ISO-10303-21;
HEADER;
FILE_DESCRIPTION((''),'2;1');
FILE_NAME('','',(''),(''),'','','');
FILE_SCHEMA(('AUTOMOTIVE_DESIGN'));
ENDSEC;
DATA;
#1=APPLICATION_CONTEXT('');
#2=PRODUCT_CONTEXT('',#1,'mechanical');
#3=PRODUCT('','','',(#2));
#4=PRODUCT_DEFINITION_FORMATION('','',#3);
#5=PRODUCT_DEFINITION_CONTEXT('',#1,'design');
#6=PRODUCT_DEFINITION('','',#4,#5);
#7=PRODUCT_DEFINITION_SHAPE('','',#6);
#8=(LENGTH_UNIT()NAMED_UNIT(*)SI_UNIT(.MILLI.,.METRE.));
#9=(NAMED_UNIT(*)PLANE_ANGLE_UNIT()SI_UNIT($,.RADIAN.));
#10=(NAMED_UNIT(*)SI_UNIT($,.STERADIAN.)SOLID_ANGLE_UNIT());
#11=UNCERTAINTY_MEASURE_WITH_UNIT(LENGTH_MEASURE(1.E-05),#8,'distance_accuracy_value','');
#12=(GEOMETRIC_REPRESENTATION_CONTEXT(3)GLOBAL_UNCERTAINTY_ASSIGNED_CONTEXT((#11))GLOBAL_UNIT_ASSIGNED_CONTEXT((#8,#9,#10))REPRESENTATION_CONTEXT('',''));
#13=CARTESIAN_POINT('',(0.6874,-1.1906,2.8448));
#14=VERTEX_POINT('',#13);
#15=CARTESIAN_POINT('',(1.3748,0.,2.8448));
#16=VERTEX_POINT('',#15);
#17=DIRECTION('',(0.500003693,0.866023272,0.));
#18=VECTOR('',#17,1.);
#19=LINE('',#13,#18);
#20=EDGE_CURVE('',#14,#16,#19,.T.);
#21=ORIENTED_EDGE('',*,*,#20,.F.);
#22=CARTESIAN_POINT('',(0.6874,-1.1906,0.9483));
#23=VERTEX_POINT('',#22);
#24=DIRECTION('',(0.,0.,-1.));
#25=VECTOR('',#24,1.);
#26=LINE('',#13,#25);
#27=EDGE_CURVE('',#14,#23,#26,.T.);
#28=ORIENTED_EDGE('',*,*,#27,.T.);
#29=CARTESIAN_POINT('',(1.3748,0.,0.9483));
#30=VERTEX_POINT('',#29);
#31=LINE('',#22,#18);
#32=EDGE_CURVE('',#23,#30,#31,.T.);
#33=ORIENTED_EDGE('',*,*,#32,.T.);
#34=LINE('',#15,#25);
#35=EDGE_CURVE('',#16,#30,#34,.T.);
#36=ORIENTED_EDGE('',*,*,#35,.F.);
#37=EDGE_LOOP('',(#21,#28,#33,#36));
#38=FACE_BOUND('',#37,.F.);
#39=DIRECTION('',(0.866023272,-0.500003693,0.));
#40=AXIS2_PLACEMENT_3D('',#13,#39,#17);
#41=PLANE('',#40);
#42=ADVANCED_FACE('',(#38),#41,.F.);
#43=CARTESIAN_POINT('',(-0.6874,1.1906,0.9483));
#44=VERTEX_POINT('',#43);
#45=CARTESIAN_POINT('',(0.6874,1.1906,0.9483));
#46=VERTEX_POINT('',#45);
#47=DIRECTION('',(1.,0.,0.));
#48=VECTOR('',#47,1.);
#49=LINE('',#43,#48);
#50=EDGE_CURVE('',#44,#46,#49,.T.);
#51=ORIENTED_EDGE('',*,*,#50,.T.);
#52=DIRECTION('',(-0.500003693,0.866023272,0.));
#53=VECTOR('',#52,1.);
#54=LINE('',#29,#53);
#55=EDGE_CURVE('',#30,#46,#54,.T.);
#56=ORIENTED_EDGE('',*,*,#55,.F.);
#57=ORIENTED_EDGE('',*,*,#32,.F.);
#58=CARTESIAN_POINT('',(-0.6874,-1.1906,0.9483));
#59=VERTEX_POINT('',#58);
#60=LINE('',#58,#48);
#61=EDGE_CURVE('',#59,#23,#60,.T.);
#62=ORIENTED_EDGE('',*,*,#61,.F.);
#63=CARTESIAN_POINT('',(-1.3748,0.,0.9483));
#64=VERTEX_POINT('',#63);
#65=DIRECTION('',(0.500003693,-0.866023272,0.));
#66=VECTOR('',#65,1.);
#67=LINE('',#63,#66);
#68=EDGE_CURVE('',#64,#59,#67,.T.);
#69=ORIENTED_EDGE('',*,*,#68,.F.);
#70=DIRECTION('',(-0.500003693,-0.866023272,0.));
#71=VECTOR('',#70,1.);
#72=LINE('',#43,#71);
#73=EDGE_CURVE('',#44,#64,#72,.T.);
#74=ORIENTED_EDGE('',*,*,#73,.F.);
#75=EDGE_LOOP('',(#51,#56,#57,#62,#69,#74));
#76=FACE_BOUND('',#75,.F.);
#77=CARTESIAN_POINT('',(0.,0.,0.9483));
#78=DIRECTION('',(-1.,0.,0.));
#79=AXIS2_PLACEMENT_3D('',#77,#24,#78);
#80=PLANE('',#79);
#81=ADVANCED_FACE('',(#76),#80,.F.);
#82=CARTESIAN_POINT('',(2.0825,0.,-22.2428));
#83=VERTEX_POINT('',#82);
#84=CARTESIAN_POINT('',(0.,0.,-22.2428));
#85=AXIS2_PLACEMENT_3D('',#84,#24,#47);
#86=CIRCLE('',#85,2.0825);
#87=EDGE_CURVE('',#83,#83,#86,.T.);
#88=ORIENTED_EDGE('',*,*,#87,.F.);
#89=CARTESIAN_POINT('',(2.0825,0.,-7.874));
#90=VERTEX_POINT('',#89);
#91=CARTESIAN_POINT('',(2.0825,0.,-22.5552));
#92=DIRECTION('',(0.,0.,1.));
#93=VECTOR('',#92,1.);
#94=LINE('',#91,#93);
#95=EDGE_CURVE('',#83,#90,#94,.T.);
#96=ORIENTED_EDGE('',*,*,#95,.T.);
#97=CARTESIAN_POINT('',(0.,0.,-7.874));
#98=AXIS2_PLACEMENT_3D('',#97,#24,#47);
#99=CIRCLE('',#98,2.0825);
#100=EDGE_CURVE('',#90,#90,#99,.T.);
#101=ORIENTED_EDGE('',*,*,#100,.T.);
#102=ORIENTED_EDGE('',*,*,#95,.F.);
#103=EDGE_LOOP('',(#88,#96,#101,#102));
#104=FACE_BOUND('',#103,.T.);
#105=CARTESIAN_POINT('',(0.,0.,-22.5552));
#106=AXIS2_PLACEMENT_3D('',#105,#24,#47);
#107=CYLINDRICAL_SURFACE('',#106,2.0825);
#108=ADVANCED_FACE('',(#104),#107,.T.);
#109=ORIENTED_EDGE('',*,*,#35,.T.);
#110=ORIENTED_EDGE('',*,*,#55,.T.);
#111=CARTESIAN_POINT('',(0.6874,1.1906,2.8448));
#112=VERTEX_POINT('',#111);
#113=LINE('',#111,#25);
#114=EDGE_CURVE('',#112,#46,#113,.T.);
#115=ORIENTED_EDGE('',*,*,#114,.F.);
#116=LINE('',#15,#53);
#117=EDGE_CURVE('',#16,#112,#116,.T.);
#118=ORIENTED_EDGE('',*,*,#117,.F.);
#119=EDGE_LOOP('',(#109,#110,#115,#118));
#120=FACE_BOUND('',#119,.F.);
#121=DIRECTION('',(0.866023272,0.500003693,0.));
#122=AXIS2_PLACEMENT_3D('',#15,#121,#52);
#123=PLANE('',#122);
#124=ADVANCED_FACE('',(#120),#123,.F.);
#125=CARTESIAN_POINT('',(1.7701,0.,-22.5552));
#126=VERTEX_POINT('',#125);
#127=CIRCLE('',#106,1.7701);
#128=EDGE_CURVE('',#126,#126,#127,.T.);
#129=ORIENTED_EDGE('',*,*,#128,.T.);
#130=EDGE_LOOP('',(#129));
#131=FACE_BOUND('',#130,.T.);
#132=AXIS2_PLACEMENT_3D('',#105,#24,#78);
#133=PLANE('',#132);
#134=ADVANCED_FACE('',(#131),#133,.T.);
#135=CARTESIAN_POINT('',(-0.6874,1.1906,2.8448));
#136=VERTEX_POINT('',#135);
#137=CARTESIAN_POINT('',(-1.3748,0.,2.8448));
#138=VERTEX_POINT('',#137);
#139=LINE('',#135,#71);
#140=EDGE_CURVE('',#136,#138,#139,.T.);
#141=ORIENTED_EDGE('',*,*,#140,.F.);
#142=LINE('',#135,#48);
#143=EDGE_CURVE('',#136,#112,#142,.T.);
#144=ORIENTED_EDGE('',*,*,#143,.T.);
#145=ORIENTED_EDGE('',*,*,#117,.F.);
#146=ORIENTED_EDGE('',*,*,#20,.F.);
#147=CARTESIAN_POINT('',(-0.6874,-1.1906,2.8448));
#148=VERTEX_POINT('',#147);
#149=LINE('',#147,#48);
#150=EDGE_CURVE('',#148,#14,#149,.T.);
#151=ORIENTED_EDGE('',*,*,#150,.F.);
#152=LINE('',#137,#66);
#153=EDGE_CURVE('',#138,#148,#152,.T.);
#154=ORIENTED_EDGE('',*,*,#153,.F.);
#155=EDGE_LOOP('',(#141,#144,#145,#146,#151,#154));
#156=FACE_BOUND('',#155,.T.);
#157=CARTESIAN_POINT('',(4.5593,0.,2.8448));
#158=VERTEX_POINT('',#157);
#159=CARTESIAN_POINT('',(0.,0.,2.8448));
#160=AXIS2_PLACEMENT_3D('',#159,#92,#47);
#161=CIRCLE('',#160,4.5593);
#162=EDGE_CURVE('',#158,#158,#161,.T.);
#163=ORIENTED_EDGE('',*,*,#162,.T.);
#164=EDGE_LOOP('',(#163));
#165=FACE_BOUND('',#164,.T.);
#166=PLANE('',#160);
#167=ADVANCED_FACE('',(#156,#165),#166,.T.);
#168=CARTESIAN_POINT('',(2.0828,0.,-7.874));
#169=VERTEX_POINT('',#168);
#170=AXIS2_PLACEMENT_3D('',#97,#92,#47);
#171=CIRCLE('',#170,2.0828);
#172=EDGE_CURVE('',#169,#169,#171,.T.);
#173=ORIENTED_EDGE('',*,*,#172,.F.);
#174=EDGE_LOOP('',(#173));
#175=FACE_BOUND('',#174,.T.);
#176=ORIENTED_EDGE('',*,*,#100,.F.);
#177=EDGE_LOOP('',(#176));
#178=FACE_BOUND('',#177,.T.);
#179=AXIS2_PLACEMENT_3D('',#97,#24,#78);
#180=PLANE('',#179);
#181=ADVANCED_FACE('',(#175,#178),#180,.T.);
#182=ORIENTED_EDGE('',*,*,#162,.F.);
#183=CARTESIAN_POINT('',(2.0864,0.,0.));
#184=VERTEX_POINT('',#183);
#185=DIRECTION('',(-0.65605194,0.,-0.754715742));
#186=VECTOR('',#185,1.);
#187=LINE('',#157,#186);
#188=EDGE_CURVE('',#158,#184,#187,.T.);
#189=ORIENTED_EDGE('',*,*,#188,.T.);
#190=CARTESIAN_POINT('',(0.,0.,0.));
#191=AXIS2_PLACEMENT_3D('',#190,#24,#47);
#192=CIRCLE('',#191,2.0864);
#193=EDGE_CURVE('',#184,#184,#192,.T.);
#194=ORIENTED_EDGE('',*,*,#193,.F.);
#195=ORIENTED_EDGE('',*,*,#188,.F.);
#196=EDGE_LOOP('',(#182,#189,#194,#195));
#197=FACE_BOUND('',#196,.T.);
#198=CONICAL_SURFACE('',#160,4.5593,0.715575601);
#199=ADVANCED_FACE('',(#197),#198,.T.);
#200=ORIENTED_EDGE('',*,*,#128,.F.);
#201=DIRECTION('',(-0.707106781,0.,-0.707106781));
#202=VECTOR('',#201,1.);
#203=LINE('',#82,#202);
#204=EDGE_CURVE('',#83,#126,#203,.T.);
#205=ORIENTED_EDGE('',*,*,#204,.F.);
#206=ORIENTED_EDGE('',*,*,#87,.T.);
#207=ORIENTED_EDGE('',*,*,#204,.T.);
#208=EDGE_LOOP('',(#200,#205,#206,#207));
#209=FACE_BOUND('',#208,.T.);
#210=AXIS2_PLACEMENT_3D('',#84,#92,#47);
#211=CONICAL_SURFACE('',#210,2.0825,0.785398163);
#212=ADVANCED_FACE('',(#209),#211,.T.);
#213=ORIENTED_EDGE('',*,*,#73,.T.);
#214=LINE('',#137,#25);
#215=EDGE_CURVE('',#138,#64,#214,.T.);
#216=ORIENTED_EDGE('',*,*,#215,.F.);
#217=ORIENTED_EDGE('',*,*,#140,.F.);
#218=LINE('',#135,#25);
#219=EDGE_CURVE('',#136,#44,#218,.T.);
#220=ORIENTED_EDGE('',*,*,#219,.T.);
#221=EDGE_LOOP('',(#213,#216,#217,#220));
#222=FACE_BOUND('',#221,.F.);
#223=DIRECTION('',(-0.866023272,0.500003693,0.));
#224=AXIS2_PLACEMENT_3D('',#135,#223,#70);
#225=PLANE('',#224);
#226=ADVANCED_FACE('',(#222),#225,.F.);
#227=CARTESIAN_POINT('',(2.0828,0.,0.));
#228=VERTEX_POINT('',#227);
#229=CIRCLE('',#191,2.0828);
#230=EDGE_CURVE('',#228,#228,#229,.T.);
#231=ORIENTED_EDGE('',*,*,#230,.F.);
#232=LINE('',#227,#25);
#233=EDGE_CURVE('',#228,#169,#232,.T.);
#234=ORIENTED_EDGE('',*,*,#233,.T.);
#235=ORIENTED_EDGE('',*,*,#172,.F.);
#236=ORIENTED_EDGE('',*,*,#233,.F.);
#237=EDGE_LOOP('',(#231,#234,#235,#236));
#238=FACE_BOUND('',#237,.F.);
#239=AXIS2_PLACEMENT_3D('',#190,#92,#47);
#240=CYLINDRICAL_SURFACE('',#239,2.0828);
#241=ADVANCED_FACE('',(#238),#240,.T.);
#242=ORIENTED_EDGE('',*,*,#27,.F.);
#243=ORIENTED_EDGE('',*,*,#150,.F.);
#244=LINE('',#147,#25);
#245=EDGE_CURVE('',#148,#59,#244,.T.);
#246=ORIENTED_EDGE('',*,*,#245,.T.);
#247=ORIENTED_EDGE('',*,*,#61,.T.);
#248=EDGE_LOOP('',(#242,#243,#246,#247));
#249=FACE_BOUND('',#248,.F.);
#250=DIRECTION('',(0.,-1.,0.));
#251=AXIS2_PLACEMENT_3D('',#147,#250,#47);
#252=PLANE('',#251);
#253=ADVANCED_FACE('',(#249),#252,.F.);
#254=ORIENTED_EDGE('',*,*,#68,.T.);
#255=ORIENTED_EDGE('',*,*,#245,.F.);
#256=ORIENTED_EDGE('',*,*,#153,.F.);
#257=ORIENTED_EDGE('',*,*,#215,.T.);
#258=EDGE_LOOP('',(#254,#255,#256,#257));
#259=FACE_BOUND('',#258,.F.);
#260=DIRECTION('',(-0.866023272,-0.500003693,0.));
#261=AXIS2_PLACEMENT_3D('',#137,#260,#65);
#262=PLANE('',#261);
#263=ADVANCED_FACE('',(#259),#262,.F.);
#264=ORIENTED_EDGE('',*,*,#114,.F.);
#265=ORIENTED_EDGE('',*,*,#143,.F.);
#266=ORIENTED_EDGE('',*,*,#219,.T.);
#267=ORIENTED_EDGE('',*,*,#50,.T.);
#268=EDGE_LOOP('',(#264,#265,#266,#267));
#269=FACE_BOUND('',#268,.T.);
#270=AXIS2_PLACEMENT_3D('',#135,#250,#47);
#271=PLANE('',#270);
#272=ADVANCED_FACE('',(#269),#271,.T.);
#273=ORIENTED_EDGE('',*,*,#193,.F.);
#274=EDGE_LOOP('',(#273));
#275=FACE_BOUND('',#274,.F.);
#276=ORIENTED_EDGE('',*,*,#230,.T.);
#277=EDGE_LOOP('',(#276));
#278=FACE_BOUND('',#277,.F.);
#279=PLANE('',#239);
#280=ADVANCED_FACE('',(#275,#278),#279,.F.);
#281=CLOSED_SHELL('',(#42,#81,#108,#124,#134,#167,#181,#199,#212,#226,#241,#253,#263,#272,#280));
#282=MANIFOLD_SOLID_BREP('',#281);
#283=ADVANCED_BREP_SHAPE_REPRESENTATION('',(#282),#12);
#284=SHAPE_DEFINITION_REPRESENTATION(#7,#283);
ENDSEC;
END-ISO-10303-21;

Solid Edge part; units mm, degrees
sketch "Sketch1" plane through (0, 0, 0) normal (0, 0, 1) x (1, 0, 0)
  circle A0 centre (0, 0) radius 4.5593
  dimension "D1" = 9.1186
extrude "Protrusion1" add sketch "Sketch1" along normal blind 2.8448
sketch "Sketch2" plane through (0, 0, 0) normal (0, 0, -1) x (1, 0, 0)
  circle A0 centre (0, 0) radius 2.0828
extrude "Protrusion2" add sketch "Sketch2" along normal blind 22.5552
sketch "Sketch3" plane through (0, 0, -22.5552) normal (0, 0, -1) x (1, 0, 0)
  circle A0 centre (0, 0) radius 2.0825
extrude "Cutout1" cut sketch "Sketch3" against normal blind 14.6812 flip side to cut
chamfer "Chamfer_1" distance 0.3124 angle 45 1 edges at (-2.0825, 0, -22.5552)
sketch "Sketch4" plane through (0, 0, 2.8448) normal (0, 0, 1) x (1, 0, 0)
  line L0 (-0.6874, 1.1906) -> (0.6874, 1.1906)
  line L1 (1.3748, 0) -> (0.6874, 1.1906)
  line L2 (0.6874, -1.1906) -> (1.3748, 0)
  line L3 (-0.6874, -1.1906) -> (0.6874, -1.1906)
  line L4 (-1.3748, 0) -> (-0.6874, -1.1906)
  line L5 (-0.6874, 1.1906) -> (-1.3748, 0)
  dimension "D1" = 2.3812
extrude "Cutout2" cut sketch "Sketch4" against normal blind 1.8965
sketch "Sketch5" plane through (0, 0, 0) normal (0, -1, 0) x (1, 0, 0)
  line L0 (4.5593, 2.8448) -> (2.0864, 0)
  line L1 (2.0864, 0) -> (4.5593, 0)
  line L2 (4.5593, 0) -> (4.5593, 2.8448)
revolve "RevolvedCutout1" cut sketch "Sketch5" angle 360 about axis through (0, 0, 14.0017) along (0, 0, -1)
properties part number "24101613"
